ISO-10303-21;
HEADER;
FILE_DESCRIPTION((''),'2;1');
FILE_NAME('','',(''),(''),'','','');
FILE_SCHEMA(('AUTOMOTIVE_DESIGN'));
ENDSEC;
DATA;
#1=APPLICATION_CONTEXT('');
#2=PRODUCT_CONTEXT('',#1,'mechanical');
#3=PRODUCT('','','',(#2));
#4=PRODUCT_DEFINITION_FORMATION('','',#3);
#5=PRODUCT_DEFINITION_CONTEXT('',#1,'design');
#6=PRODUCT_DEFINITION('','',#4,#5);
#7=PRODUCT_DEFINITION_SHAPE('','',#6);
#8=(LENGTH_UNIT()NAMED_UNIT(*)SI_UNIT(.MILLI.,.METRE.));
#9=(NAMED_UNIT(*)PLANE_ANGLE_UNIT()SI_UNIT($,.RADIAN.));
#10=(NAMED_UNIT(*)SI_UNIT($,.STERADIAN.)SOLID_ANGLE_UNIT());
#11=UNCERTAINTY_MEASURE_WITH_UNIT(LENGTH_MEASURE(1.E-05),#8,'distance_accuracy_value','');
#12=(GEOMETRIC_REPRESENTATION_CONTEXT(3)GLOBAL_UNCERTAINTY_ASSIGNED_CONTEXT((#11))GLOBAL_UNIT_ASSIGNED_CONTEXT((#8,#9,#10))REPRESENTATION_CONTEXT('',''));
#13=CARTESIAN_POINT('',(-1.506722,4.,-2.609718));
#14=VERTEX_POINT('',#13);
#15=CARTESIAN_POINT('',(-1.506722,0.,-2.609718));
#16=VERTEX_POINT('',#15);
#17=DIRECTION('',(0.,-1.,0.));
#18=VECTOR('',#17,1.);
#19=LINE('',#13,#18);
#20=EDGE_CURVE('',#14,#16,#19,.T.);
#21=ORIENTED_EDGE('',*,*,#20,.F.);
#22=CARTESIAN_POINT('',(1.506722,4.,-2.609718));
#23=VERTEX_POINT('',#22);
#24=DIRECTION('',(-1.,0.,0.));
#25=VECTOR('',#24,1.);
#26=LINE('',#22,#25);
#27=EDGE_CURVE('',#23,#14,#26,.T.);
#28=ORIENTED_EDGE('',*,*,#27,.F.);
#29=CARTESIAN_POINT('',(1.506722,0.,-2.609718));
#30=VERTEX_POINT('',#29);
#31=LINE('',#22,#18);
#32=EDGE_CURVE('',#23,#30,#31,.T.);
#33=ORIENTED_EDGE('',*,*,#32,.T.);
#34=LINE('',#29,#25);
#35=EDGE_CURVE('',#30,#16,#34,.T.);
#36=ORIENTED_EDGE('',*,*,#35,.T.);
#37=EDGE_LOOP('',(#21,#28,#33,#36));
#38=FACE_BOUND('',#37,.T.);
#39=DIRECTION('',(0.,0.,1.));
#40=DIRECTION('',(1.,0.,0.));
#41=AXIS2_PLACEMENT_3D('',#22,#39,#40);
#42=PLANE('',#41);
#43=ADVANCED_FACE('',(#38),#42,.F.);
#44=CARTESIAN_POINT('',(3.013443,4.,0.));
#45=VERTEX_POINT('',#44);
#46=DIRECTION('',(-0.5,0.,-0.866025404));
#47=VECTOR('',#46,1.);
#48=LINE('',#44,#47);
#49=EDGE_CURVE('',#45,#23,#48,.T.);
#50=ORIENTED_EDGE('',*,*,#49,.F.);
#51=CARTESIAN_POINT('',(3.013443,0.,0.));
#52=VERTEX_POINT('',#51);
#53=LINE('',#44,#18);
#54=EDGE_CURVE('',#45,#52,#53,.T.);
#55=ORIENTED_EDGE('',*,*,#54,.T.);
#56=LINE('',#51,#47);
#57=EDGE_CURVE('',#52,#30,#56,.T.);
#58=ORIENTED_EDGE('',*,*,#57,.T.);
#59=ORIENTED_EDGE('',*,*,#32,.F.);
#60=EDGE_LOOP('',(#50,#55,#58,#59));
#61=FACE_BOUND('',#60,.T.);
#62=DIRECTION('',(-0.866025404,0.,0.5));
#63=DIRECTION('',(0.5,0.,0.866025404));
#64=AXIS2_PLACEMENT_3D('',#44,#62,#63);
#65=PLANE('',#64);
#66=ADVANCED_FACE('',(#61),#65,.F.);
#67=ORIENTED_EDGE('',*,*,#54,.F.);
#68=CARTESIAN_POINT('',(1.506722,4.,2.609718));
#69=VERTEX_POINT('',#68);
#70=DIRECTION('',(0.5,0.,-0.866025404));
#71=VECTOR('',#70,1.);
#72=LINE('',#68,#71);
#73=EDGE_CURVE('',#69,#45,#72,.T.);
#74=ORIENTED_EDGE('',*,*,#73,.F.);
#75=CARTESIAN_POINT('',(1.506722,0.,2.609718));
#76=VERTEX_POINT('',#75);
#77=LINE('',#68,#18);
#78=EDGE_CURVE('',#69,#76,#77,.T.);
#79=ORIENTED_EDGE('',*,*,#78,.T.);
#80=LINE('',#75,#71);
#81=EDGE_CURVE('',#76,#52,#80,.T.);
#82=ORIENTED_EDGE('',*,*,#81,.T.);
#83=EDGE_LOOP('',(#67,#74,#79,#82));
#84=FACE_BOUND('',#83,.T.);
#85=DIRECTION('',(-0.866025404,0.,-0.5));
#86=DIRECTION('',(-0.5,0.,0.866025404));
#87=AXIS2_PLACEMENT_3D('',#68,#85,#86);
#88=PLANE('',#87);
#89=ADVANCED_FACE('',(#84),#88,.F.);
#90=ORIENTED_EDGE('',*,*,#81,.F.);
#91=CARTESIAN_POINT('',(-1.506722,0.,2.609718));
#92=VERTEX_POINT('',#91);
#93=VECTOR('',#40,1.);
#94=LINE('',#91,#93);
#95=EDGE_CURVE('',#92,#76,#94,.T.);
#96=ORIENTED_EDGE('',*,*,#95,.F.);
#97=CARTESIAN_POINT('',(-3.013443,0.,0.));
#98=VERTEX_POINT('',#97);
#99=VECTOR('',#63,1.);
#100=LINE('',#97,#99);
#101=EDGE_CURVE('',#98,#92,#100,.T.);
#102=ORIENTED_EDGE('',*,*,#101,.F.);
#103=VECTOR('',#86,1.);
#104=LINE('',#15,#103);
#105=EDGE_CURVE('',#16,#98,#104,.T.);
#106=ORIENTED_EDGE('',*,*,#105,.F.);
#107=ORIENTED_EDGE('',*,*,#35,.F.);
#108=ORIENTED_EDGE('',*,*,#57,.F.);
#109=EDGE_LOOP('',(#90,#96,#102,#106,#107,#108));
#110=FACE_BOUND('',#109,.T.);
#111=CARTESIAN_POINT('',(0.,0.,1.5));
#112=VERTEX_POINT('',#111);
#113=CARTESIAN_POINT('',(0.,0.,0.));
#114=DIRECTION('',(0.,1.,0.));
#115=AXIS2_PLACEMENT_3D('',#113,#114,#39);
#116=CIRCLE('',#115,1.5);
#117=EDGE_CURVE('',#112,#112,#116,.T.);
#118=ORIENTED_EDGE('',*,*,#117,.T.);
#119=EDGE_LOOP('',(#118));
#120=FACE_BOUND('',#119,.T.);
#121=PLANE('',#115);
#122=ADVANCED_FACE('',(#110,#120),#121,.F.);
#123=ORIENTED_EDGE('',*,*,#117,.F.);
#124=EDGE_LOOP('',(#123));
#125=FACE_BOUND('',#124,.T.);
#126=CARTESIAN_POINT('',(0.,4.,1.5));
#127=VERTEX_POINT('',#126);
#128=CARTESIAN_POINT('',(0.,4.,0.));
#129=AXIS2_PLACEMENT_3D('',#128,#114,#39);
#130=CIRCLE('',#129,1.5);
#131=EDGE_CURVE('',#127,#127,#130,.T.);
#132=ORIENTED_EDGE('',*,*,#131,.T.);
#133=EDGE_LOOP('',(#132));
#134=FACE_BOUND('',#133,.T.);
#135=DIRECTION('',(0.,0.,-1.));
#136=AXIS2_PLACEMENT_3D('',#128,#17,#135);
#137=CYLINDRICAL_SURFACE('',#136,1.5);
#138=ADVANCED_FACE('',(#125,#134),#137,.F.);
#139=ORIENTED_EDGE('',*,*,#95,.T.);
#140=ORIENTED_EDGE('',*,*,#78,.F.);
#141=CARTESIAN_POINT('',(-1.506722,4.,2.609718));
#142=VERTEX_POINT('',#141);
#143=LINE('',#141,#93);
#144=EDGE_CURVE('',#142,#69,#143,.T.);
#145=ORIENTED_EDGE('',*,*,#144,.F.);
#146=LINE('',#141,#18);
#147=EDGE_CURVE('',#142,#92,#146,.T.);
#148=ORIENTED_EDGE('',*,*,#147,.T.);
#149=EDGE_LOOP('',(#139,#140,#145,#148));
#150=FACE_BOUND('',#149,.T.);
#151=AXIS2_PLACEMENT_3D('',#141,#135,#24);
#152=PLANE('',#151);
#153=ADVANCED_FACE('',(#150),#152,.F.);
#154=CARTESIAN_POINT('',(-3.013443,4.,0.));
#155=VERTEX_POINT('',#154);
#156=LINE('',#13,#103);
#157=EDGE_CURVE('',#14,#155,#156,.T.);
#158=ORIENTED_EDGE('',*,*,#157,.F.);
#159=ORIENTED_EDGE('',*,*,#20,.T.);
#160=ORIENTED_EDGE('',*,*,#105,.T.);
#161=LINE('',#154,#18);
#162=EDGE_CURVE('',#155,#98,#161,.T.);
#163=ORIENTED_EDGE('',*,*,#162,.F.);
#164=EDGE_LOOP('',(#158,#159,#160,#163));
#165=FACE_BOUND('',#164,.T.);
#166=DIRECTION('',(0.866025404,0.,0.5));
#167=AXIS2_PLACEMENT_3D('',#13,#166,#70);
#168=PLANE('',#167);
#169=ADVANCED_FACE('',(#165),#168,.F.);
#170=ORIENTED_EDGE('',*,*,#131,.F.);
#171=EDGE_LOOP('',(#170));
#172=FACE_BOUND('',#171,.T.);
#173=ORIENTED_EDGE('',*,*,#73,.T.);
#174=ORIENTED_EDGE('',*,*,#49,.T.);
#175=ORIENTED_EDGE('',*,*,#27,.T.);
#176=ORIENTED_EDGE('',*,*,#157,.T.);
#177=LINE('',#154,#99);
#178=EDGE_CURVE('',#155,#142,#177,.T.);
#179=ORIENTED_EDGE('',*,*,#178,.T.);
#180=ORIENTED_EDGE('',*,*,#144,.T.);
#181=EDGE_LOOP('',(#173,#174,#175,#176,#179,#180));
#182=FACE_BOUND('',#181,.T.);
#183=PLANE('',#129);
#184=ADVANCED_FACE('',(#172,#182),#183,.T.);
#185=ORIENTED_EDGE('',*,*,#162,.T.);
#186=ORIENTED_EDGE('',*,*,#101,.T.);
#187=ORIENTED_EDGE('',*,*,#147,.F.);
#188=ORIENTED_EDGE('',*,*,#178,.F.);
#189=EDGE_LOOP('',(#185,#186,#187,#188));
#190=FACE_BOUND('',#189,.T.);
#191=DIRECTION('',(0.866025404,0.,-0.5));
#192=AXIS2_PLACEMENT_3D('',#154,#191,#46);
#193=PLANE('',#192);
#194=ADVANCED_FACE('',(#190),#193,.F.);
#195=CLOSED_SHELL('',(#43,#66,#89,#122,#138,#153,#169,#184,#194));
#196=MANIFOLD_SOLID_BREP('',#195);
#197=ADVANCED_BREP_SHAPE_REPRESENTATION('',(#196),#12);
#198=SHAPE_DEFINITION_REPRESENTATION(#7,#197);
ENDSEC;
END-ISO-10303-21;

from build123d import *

# Parameters (mm, degrees)
SKETCH1_R           = 1.5
BOSS_EXTRUDE1_DEPTH = 4


with BuildPart() as part:
    # Sketch1 → Boss-Extrude1 (new body)
    with BuildSketch(Plane(origin=(0, 0, 0), x_dir=(1, 0, 0), z_dir=(0, 1, 0))):
        Polygon((3.013443115, 0), (1.506721558, 2.609718291), (-1.506721558, 2.609718291), (-3.013443115, 0), (-1.506721558, -2.609718291), (1.506721558, -2.609718291), align=None)
        Circle(SKETCH1_R, mode=Mode.SUBTRACT)
    extrude(amount=BOSS_EXTRUDE1_DEPTH)


solid = part.part
